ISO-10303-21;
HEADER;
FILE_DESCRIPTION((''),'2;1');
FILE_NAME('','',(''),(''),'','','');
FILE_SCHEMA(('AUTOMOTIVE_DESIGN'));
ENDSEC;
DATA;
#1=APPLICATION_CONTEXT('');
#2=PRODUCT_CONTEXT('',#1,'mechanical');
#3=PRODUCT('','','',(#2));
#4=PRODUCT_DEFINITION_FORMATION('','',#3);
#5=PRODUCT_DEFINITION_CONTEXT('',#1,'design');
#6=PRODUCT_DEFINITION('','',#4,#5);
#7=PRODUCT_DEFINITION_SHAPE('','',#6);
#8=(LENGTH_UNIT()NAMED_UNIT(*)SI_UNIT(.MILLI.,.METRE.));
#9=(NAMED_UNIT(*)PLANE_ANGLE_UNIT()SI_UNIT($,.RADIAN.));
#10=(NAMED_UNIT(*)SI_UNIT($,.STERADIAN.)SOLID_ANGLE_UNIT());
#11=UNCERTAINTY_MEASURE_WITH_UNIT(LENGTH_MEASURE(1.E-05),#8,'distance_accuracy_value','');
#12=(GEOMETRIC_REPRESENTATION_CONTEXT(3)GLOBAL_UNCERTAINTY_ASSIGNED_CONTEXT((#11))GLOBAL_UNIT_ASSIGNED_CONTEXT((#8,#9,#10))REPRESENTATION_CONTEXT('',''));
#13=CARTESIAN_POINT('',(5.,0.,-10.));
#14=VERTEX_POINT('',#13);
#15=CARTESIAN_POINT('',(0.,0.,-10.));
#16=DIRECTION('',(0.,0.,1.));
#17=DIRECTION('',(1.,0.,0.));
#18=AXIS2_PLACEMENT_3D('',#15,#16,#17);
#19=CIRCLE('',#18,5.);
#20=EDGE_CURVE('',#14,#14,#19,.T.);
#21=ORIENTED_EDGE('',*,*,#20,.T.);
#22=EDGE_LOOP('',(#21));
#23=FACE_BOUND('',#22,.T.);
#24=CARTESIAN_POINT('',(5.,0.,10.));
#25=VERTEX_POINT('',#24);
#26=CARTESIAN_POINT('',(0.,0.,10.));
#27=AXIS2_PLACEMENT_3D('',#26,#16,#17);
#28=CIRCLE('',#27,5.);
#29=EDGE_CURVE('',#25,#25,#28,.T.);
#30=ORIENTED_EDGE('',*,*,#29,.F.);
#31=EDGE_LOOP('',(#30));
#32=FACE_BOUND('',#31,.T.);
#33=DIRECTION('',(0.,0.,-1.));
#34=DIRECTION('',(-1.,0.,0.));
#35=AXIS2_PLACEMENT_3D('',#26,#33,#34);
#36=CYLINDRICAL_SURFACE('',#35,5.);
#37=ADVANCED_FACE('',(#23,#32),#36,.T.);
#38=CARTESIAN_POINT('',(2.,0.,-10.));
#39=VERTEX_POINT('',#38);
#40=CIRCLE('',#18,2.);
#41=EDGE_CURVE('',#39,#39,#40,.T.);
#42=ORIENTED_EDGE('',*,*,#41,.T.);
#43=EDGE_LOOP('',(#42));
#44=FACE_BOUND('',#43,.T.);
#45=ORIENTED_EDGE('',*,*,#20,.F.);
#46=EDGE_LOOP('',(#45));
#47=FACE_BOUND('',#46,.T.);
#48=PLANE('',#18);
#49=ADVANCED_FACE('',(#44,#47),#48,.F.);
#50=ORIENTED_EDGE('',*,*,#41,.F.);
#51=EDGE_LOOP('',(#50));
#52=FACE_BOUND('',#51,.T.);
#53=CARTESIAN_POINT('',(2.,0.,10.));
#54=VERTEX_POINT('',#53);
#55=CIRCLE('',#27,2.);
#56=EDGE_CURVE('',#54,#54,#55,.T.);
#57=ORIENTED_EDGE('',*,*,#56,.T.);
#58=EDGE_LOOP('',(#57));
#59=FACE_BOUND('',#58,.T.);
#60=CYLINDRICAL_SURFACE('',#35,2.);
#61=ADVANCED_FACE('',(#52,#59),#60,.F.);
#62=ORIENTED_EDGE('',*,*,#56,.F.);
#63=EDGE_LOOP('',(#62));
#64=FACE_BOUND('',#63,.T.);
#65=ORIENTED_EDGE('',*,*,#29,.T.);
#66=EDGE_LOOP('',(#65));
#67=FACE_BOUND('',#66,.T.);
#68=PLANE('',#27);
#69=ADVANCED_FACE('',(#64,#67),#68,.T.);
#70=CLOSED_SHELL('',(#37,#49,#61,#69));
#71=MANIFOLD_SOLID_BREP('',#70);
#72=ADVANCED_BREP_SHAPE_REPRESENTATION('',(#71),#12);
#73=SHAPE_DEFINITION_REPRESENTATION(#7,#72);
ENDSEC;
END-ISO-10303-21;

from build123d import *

# Parameters (mm, degrees)
SKETCH1_R           = 5
SKETCH1_R_2         = 2
BOSS_EXTRUDE1_DEPTH = 10


with BuildPart() as part:
    # Sketch1 → Boss-Extrude1 (new body, symmetric)
    with BuildSketch(Plane.XY):
        Circle(SKETCH1_R)
        Circle(SKETCH1_R_2, mode=Mode.SUBTRACT)
    extrude(amount=BOSS_EXTRUDE1_DEPTH, both=True)


solid = part.part
